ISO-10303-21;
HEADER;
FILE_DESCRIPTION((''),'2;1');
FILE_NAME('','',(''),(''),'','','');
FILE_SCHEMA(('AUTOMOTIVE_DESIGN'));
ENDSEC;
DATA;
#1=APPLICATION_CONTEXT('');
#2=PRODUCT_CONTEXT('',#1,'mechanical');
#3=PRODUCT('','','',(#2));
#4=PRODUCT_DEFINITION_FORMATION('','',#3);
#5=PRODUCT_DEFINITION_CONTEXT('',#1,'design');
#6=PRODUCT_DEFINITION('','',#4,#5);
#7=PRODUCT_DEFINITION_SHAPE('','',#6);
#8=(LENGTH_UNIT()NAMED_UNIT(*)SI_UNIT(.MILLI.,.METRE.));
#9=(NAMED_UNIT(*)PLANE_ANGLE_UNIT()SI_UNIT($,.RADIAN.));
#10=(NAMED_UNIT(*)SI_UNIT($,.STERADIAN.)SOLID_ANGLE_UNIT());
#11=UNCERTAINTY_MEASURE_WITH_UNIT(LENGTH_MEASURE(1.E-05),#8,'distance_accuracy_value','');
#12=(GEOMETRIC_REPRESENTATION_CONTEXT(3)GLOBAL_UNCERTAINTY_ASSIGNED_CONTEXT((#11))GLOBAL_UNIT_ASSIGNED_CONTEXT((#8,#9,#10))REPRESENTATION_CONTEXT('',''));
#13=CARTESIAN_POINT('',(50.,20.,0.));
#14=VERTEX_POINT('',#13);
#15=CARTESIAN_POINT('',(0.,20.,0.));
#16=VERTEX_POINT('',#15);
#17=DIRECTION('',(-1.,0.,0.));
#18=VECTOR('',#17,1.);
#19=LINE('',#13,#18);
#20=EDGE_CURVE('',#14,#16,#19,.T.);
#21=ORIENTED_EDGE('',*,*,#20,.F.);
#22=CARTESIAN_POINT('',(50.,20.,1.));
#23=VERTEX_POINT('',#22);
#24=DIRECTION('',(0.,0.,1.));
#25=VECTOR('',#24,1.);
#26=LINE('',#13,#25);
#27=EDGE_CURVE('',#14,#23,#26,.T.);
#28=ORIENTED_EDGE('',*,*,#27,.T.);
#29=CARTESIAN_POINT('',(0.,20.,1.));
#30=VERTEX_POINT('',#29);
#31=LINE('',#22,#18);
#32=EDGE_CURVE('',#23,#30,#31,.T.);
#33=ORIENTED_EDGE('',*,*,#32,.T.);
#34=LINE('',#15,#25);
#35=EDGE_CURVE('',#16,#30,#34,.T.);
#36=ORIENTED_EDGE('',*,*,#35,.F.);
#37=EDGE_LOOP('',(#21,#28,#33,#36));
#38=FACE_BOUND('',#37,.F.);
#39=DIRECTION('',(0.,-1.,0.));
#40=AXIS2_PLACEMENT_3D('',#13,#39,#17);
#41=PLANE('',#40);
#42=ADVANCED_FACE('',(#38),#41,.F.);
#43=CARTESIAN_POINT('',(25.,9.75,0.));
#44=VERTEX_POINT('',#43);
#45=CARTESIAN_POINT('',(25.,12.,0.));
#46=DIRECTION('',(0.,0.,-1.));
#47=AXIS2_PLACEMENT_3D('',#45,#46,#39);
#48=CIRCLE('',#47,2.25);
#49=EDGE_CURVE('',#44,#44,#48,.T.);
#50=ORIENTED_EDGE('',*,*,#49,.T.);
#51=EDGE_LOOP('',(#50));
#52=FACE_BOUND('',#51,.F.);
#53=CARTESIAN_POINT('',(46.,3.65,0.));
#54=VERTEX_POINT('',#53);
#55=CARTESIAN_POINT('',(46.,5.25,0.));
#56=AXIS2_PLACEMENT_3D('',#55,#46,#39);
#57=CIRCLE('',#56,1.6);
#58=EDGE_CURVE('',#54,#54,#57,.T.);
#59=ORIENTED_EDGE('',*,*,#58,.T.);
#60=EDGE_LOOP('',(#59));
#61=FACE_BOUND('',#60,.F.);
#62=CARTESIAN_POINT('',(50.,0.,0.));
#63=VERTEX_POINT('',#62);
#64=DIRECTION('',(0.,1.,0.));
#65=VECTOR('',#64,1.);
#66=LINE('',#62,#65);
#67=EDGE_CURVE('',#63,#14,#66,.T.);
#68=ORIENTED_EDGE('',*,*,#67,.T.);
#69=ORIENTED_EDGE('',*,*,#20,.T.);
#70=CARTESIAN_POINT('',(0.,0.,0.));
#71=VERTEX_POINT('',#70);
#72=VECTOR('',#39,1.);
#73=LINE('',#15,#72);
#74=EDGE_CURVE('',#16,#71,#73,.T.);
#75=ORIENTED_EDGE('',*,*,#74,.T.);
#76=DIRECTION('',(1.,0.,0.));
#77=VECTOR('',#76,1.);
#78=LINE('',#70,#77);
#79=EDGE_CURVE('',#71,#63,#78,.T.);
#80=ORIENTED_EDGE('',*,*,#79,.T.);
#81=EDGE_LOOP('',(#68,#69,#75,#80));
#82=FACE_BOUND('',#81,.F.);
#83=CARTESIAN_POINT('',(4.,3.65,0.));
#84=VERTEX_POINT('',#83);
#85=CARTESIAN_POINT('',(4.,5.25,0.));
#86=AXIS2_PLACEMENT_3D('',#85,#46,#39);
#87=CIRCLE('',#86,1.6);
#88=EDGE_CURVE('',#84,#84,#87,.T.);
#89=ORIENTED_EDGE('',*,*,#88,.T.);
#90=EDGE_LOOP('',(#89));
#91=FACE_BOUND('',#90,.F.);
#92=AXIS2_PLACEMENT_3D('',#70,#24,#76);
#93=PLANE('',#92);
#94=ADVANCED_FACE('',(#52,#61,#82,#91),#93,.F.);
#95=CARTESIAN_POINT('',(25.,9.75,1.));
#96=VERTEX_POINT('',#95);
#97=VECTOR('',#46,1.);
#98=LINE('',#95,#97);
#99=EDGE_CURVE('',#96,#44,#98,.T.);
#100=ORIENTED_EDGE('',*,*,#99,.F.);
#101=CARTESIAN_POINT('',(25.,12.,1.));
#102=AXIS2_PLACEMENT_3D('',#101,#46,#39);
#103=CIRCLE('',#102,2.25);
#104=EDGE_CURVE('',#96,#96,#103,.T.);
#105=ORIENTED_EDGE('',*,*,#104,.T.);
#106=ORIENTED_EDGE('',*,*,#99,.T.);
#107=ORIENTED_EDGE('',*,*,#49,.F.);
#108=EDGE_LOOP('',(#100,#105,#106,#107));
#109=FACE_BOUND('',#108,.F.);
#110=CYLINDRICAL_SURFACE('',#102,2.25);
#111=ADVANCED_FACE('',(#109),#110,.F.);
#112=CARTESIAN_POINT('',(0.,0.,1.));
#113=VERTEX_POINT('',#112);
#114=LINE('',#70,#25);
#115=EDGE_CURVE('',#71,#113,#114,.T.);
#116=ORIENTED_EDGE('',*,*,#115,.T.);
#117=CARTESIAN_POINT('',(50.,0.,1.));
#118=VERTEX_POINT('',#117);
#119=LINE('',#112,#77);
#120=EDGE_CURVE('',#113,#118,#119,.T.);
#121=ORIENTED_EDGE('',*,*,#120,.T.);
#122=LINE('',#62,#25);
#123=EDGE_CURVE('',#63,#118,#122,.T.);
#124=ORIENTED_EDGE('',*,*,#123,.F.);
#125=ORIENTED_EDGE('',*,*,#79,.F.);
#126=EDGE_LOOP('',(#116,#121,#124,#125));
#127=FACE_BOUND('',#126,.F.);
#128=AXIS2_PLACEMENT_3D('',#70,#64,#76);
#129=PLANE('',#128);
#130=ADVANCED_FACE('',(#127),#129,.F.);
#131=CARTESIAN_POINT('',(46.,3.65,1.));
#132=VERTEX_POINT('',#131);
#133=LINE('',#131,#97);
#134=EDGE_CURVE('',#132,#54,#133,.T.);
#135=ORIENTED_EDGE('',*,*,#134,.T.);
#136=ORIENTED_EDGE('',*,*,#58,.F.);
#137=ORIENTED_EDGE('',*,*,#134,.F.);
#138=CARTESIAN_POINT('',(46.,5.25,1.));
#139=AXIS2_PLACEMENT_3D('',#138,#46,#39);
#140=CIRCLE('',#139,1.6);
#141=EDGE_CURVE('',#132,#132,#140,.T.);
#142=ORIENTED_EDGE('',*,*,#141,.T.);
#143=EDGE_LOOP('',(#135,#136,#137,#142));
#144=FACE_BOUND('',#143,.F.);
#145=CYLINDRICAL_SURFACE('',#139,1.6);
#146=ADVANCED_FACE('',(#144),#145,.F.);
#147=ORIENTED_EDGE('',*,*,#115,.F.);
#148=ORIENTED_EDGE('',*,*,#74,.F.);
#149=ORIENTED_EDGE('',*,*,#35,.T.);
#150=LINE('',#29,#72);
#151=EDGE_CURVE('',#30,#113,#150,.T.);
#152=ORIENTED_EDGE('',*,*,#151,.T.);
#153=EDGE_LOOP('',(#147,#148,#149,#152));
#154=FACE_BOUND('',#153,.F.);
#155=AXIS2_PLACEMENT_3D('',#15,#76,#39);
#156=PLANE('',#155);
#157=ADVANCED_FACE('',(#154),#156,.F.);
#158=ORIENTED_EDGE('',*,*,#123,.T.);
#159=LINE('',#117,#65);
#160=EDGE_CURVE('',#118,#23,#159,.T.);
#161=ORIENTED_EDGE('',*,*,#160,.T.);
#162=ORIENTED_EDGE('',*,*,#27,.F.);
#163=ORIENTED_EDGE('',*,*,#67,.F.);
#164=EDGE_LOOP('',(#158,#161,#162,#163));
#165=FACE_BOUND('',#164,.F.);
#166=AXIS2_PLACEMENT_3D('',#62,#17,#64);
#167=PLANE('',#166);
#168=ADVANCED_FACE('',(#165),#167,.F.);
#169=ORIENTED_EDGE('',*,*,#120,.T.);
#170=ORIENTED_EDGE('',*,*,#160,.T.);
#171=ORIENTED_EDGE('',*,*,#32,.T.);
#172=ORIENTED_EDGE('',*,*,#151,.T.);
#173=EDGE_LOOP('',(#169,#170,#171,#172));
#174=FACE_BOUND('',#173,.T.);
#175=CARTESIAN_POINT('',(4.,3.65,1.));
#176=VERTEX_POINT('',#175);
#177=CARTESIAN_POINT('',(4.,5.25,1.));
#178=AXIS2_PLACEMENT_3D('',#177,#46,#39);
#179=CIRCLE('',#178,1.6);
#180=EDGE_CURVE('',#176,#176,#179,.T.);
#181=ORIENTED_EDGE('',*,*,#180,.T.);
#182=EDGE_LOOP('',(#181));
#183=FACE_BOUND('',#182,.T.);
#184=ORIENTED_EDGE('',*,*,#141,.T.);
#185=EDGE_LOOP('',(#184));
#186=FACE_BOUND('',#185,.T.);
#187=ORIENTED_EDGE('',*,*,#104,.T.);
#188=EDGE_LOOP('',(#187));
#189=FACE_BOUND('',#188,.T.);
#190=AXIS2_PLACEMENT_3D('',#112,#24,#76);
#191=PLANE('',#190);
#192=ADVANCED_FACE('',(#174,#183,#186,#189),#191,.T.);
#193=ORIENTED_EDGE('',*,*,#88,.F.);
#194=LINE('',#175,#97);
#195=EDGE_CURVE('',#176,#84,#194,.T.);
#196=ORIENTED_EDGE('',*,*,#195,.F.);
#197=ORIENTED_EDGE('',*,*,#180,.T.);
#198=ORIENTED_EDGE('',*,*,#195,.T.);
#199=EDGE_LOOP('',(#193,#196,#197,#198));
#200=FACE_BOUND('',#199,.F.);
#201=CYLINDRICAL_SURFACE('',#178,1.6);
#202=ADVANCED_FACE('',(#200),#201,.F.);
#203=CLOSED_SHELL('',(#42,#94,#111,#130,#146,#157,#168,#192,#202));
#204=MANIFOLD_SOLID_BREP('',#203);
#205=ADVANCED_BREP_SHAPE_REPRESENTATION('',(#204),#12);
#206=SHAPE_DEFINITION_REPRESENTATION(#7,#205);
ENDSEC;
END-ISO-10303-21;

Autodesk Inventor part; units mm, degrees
ref_plane "YZ Plane" through (0, 0, 0) normal (1, 0, 0) x (0, 1, 0)
ref_plane "XZ Plane" through (0, 0, 0) normal (0, 1, 0) x (-1, 0, 0)
ref_plane "XY Plane" through (0, 0, 0) normal (0, 0, 1) x (1, 0, 0)
sketch "スケッチ1" plane through (0, 0, 0) normal (0, 0, 1) x (1, 0, 0)
  line L0 (0, 0) -> (50, 0)
  line L1 (50, 0) -> (50, 20)
  line L2 (50, 20) -> (0, 20)
  line L3 (0, 20) -> (0, 0)
  dimension "d0" = 20
  dimension "d1" = 50
extrude "押し出し1" add sketch "スケッチ1" along normal blind 1
sketch "スケッチ2" plane through (0, 0, 1) normal (0, 0, 1) x (1, 0, 0)
  line L0 (50, 20) -> (0, 20) projected
  point P0 (0, 0)
  point P1 (25, 12)
  point P2 (25, 20)
  dimension "d4" = 8
hole "穴1" at (25, 12, 1) direction (0, 0, -1) diameter 4.5 end through all
sketch "スケッチ3" plane through (0, 0, 1) normal (0, 0, 1) x (1, 0, 0)
  line L0 (0, 20) -> (0, 0) projected
  line L1 (0, 0) -> (50, 0) projected
  line L2 (50, 20) -> (0, 20) projected
  point P0 (4, 5.25)
  point P1 (46, 5.25)
  dimension "d12" = 42
  dimension "d13" = 4
  dimension "d22" = 14.75
hole "穴2" at (4, 5.25, 1) at (46, 5.25, 1) direction (0, 0, -1) diameter 3.2 end through all
properties part number "CLS_typeC_31.4N_plate"
